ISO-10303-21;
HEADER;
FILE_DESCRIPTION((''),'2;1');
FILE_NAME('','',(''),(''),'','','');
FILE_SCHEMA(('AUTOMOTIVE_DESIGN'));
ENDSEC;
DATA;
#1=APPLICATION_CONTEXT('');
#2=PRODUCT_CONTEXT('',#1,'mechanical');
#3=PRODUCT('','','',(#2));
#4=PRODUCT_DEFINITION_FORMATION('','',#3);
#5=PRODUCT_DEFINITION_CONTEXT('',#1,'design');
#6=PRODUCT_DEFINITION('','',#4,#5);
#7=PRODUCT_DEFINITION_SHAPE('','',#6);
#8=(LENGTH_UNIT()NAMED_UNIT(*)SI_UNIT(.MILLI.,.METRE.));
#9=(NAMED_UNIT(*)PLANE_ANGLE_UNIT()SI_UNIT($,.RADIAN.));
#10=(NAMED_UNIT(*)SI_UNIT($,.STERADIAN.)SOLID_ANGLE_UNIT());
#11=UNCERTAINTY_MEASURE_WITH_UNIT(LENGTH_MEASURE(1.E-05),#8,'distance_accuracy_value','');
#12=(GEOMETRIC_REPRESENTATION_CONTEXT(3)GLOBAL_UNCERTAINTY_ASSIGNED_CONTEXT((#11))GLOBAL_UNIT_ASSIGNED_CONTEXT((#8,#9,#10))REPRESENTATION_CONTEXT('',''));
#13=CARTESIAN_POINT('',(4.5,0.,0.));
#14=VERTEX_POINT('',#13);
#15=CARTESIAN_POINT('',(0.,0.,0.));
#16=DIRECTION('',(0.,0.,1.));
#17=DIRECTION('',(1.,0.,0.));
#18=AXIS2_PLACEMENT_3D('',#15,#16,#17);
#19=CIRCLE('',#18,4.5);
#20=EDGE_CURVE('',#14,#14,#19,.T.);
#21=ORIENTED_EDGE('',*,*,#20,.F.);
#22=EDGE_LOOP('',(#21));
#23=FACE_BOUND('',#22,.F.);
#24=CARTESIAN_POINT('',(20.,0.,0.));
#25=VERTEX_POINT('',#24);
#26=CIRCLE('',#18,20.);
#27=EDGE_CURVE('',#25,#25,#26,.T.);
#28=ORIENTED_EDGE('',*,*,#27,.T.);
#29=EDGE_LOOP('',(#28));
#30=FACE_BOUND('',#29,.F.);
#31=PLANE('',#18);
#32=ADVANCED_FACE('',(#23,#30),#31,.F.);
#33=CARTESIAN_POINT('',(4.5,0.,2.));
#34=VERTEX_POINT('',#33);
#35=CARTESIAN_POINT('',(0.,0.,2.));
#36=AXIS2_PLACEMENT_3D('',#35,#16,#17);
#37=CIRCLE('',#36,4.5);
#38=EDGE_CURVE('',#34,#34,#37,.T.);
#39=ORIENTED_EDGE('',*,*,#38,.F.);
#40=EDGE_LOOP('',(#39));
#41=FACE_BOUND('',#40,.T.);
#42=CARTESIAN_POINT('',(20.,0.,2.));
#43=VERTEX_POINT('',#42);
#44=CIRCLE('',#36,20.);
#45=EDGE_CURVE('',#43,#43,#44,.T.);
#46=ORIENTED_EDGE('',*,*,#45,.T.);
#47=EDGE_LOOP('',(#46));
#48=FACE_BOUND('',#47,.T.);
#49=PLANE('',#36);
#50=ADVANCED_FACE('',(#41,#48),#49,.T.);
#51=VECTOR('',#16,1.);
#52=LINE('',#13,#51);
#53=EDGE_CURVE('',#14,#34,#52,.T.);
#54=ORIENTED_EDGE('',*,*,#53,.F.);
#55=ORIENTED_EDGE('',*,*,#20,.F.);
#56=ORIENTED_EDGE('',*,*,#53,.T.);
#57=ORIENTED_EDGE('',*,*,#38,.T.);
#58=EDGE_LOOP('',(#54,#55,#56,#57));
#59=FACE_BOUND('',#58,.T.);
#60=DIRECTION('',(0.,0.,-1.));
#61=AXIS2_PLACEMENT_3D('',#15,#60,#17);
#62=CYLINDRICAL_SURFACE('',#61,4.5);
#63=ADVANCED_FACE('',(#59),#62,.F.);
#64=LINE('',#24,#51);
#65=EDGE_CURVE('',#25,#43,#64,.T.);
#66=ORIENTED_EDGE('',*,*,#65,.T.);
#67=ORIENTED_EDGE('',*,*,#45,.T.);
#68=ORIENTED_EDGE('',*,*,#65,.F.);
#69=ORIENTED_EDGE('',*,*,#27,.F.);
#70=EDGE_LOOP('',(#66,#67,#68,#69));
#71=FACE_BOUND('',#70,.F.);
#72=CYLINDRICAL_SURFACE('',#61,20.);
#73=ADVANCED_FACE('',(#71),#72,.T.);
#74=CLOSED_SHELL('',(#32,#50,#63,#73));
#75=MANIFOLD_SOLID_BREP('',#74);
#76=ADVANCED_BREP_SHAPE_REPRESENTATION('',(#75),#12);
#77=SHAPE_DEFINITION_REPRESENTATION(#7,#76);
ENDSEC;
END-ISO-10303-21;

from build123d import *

# Parameters (mm, degrees)
SKETCH_R   = 20
SKETCH_R_2 = 4.5
PAD_DEPTH  = 2


with BuildPart() as part:
    # Sketch → Pad (new body)
    with BuildSketch(Plane.XY):
        Circle(SKETCH_R)
        Circle(SKETCH_R_2, mode=Mode.SUBTRACT)
    extrude(amount=PAD_DEPTH)


solid = part.part
